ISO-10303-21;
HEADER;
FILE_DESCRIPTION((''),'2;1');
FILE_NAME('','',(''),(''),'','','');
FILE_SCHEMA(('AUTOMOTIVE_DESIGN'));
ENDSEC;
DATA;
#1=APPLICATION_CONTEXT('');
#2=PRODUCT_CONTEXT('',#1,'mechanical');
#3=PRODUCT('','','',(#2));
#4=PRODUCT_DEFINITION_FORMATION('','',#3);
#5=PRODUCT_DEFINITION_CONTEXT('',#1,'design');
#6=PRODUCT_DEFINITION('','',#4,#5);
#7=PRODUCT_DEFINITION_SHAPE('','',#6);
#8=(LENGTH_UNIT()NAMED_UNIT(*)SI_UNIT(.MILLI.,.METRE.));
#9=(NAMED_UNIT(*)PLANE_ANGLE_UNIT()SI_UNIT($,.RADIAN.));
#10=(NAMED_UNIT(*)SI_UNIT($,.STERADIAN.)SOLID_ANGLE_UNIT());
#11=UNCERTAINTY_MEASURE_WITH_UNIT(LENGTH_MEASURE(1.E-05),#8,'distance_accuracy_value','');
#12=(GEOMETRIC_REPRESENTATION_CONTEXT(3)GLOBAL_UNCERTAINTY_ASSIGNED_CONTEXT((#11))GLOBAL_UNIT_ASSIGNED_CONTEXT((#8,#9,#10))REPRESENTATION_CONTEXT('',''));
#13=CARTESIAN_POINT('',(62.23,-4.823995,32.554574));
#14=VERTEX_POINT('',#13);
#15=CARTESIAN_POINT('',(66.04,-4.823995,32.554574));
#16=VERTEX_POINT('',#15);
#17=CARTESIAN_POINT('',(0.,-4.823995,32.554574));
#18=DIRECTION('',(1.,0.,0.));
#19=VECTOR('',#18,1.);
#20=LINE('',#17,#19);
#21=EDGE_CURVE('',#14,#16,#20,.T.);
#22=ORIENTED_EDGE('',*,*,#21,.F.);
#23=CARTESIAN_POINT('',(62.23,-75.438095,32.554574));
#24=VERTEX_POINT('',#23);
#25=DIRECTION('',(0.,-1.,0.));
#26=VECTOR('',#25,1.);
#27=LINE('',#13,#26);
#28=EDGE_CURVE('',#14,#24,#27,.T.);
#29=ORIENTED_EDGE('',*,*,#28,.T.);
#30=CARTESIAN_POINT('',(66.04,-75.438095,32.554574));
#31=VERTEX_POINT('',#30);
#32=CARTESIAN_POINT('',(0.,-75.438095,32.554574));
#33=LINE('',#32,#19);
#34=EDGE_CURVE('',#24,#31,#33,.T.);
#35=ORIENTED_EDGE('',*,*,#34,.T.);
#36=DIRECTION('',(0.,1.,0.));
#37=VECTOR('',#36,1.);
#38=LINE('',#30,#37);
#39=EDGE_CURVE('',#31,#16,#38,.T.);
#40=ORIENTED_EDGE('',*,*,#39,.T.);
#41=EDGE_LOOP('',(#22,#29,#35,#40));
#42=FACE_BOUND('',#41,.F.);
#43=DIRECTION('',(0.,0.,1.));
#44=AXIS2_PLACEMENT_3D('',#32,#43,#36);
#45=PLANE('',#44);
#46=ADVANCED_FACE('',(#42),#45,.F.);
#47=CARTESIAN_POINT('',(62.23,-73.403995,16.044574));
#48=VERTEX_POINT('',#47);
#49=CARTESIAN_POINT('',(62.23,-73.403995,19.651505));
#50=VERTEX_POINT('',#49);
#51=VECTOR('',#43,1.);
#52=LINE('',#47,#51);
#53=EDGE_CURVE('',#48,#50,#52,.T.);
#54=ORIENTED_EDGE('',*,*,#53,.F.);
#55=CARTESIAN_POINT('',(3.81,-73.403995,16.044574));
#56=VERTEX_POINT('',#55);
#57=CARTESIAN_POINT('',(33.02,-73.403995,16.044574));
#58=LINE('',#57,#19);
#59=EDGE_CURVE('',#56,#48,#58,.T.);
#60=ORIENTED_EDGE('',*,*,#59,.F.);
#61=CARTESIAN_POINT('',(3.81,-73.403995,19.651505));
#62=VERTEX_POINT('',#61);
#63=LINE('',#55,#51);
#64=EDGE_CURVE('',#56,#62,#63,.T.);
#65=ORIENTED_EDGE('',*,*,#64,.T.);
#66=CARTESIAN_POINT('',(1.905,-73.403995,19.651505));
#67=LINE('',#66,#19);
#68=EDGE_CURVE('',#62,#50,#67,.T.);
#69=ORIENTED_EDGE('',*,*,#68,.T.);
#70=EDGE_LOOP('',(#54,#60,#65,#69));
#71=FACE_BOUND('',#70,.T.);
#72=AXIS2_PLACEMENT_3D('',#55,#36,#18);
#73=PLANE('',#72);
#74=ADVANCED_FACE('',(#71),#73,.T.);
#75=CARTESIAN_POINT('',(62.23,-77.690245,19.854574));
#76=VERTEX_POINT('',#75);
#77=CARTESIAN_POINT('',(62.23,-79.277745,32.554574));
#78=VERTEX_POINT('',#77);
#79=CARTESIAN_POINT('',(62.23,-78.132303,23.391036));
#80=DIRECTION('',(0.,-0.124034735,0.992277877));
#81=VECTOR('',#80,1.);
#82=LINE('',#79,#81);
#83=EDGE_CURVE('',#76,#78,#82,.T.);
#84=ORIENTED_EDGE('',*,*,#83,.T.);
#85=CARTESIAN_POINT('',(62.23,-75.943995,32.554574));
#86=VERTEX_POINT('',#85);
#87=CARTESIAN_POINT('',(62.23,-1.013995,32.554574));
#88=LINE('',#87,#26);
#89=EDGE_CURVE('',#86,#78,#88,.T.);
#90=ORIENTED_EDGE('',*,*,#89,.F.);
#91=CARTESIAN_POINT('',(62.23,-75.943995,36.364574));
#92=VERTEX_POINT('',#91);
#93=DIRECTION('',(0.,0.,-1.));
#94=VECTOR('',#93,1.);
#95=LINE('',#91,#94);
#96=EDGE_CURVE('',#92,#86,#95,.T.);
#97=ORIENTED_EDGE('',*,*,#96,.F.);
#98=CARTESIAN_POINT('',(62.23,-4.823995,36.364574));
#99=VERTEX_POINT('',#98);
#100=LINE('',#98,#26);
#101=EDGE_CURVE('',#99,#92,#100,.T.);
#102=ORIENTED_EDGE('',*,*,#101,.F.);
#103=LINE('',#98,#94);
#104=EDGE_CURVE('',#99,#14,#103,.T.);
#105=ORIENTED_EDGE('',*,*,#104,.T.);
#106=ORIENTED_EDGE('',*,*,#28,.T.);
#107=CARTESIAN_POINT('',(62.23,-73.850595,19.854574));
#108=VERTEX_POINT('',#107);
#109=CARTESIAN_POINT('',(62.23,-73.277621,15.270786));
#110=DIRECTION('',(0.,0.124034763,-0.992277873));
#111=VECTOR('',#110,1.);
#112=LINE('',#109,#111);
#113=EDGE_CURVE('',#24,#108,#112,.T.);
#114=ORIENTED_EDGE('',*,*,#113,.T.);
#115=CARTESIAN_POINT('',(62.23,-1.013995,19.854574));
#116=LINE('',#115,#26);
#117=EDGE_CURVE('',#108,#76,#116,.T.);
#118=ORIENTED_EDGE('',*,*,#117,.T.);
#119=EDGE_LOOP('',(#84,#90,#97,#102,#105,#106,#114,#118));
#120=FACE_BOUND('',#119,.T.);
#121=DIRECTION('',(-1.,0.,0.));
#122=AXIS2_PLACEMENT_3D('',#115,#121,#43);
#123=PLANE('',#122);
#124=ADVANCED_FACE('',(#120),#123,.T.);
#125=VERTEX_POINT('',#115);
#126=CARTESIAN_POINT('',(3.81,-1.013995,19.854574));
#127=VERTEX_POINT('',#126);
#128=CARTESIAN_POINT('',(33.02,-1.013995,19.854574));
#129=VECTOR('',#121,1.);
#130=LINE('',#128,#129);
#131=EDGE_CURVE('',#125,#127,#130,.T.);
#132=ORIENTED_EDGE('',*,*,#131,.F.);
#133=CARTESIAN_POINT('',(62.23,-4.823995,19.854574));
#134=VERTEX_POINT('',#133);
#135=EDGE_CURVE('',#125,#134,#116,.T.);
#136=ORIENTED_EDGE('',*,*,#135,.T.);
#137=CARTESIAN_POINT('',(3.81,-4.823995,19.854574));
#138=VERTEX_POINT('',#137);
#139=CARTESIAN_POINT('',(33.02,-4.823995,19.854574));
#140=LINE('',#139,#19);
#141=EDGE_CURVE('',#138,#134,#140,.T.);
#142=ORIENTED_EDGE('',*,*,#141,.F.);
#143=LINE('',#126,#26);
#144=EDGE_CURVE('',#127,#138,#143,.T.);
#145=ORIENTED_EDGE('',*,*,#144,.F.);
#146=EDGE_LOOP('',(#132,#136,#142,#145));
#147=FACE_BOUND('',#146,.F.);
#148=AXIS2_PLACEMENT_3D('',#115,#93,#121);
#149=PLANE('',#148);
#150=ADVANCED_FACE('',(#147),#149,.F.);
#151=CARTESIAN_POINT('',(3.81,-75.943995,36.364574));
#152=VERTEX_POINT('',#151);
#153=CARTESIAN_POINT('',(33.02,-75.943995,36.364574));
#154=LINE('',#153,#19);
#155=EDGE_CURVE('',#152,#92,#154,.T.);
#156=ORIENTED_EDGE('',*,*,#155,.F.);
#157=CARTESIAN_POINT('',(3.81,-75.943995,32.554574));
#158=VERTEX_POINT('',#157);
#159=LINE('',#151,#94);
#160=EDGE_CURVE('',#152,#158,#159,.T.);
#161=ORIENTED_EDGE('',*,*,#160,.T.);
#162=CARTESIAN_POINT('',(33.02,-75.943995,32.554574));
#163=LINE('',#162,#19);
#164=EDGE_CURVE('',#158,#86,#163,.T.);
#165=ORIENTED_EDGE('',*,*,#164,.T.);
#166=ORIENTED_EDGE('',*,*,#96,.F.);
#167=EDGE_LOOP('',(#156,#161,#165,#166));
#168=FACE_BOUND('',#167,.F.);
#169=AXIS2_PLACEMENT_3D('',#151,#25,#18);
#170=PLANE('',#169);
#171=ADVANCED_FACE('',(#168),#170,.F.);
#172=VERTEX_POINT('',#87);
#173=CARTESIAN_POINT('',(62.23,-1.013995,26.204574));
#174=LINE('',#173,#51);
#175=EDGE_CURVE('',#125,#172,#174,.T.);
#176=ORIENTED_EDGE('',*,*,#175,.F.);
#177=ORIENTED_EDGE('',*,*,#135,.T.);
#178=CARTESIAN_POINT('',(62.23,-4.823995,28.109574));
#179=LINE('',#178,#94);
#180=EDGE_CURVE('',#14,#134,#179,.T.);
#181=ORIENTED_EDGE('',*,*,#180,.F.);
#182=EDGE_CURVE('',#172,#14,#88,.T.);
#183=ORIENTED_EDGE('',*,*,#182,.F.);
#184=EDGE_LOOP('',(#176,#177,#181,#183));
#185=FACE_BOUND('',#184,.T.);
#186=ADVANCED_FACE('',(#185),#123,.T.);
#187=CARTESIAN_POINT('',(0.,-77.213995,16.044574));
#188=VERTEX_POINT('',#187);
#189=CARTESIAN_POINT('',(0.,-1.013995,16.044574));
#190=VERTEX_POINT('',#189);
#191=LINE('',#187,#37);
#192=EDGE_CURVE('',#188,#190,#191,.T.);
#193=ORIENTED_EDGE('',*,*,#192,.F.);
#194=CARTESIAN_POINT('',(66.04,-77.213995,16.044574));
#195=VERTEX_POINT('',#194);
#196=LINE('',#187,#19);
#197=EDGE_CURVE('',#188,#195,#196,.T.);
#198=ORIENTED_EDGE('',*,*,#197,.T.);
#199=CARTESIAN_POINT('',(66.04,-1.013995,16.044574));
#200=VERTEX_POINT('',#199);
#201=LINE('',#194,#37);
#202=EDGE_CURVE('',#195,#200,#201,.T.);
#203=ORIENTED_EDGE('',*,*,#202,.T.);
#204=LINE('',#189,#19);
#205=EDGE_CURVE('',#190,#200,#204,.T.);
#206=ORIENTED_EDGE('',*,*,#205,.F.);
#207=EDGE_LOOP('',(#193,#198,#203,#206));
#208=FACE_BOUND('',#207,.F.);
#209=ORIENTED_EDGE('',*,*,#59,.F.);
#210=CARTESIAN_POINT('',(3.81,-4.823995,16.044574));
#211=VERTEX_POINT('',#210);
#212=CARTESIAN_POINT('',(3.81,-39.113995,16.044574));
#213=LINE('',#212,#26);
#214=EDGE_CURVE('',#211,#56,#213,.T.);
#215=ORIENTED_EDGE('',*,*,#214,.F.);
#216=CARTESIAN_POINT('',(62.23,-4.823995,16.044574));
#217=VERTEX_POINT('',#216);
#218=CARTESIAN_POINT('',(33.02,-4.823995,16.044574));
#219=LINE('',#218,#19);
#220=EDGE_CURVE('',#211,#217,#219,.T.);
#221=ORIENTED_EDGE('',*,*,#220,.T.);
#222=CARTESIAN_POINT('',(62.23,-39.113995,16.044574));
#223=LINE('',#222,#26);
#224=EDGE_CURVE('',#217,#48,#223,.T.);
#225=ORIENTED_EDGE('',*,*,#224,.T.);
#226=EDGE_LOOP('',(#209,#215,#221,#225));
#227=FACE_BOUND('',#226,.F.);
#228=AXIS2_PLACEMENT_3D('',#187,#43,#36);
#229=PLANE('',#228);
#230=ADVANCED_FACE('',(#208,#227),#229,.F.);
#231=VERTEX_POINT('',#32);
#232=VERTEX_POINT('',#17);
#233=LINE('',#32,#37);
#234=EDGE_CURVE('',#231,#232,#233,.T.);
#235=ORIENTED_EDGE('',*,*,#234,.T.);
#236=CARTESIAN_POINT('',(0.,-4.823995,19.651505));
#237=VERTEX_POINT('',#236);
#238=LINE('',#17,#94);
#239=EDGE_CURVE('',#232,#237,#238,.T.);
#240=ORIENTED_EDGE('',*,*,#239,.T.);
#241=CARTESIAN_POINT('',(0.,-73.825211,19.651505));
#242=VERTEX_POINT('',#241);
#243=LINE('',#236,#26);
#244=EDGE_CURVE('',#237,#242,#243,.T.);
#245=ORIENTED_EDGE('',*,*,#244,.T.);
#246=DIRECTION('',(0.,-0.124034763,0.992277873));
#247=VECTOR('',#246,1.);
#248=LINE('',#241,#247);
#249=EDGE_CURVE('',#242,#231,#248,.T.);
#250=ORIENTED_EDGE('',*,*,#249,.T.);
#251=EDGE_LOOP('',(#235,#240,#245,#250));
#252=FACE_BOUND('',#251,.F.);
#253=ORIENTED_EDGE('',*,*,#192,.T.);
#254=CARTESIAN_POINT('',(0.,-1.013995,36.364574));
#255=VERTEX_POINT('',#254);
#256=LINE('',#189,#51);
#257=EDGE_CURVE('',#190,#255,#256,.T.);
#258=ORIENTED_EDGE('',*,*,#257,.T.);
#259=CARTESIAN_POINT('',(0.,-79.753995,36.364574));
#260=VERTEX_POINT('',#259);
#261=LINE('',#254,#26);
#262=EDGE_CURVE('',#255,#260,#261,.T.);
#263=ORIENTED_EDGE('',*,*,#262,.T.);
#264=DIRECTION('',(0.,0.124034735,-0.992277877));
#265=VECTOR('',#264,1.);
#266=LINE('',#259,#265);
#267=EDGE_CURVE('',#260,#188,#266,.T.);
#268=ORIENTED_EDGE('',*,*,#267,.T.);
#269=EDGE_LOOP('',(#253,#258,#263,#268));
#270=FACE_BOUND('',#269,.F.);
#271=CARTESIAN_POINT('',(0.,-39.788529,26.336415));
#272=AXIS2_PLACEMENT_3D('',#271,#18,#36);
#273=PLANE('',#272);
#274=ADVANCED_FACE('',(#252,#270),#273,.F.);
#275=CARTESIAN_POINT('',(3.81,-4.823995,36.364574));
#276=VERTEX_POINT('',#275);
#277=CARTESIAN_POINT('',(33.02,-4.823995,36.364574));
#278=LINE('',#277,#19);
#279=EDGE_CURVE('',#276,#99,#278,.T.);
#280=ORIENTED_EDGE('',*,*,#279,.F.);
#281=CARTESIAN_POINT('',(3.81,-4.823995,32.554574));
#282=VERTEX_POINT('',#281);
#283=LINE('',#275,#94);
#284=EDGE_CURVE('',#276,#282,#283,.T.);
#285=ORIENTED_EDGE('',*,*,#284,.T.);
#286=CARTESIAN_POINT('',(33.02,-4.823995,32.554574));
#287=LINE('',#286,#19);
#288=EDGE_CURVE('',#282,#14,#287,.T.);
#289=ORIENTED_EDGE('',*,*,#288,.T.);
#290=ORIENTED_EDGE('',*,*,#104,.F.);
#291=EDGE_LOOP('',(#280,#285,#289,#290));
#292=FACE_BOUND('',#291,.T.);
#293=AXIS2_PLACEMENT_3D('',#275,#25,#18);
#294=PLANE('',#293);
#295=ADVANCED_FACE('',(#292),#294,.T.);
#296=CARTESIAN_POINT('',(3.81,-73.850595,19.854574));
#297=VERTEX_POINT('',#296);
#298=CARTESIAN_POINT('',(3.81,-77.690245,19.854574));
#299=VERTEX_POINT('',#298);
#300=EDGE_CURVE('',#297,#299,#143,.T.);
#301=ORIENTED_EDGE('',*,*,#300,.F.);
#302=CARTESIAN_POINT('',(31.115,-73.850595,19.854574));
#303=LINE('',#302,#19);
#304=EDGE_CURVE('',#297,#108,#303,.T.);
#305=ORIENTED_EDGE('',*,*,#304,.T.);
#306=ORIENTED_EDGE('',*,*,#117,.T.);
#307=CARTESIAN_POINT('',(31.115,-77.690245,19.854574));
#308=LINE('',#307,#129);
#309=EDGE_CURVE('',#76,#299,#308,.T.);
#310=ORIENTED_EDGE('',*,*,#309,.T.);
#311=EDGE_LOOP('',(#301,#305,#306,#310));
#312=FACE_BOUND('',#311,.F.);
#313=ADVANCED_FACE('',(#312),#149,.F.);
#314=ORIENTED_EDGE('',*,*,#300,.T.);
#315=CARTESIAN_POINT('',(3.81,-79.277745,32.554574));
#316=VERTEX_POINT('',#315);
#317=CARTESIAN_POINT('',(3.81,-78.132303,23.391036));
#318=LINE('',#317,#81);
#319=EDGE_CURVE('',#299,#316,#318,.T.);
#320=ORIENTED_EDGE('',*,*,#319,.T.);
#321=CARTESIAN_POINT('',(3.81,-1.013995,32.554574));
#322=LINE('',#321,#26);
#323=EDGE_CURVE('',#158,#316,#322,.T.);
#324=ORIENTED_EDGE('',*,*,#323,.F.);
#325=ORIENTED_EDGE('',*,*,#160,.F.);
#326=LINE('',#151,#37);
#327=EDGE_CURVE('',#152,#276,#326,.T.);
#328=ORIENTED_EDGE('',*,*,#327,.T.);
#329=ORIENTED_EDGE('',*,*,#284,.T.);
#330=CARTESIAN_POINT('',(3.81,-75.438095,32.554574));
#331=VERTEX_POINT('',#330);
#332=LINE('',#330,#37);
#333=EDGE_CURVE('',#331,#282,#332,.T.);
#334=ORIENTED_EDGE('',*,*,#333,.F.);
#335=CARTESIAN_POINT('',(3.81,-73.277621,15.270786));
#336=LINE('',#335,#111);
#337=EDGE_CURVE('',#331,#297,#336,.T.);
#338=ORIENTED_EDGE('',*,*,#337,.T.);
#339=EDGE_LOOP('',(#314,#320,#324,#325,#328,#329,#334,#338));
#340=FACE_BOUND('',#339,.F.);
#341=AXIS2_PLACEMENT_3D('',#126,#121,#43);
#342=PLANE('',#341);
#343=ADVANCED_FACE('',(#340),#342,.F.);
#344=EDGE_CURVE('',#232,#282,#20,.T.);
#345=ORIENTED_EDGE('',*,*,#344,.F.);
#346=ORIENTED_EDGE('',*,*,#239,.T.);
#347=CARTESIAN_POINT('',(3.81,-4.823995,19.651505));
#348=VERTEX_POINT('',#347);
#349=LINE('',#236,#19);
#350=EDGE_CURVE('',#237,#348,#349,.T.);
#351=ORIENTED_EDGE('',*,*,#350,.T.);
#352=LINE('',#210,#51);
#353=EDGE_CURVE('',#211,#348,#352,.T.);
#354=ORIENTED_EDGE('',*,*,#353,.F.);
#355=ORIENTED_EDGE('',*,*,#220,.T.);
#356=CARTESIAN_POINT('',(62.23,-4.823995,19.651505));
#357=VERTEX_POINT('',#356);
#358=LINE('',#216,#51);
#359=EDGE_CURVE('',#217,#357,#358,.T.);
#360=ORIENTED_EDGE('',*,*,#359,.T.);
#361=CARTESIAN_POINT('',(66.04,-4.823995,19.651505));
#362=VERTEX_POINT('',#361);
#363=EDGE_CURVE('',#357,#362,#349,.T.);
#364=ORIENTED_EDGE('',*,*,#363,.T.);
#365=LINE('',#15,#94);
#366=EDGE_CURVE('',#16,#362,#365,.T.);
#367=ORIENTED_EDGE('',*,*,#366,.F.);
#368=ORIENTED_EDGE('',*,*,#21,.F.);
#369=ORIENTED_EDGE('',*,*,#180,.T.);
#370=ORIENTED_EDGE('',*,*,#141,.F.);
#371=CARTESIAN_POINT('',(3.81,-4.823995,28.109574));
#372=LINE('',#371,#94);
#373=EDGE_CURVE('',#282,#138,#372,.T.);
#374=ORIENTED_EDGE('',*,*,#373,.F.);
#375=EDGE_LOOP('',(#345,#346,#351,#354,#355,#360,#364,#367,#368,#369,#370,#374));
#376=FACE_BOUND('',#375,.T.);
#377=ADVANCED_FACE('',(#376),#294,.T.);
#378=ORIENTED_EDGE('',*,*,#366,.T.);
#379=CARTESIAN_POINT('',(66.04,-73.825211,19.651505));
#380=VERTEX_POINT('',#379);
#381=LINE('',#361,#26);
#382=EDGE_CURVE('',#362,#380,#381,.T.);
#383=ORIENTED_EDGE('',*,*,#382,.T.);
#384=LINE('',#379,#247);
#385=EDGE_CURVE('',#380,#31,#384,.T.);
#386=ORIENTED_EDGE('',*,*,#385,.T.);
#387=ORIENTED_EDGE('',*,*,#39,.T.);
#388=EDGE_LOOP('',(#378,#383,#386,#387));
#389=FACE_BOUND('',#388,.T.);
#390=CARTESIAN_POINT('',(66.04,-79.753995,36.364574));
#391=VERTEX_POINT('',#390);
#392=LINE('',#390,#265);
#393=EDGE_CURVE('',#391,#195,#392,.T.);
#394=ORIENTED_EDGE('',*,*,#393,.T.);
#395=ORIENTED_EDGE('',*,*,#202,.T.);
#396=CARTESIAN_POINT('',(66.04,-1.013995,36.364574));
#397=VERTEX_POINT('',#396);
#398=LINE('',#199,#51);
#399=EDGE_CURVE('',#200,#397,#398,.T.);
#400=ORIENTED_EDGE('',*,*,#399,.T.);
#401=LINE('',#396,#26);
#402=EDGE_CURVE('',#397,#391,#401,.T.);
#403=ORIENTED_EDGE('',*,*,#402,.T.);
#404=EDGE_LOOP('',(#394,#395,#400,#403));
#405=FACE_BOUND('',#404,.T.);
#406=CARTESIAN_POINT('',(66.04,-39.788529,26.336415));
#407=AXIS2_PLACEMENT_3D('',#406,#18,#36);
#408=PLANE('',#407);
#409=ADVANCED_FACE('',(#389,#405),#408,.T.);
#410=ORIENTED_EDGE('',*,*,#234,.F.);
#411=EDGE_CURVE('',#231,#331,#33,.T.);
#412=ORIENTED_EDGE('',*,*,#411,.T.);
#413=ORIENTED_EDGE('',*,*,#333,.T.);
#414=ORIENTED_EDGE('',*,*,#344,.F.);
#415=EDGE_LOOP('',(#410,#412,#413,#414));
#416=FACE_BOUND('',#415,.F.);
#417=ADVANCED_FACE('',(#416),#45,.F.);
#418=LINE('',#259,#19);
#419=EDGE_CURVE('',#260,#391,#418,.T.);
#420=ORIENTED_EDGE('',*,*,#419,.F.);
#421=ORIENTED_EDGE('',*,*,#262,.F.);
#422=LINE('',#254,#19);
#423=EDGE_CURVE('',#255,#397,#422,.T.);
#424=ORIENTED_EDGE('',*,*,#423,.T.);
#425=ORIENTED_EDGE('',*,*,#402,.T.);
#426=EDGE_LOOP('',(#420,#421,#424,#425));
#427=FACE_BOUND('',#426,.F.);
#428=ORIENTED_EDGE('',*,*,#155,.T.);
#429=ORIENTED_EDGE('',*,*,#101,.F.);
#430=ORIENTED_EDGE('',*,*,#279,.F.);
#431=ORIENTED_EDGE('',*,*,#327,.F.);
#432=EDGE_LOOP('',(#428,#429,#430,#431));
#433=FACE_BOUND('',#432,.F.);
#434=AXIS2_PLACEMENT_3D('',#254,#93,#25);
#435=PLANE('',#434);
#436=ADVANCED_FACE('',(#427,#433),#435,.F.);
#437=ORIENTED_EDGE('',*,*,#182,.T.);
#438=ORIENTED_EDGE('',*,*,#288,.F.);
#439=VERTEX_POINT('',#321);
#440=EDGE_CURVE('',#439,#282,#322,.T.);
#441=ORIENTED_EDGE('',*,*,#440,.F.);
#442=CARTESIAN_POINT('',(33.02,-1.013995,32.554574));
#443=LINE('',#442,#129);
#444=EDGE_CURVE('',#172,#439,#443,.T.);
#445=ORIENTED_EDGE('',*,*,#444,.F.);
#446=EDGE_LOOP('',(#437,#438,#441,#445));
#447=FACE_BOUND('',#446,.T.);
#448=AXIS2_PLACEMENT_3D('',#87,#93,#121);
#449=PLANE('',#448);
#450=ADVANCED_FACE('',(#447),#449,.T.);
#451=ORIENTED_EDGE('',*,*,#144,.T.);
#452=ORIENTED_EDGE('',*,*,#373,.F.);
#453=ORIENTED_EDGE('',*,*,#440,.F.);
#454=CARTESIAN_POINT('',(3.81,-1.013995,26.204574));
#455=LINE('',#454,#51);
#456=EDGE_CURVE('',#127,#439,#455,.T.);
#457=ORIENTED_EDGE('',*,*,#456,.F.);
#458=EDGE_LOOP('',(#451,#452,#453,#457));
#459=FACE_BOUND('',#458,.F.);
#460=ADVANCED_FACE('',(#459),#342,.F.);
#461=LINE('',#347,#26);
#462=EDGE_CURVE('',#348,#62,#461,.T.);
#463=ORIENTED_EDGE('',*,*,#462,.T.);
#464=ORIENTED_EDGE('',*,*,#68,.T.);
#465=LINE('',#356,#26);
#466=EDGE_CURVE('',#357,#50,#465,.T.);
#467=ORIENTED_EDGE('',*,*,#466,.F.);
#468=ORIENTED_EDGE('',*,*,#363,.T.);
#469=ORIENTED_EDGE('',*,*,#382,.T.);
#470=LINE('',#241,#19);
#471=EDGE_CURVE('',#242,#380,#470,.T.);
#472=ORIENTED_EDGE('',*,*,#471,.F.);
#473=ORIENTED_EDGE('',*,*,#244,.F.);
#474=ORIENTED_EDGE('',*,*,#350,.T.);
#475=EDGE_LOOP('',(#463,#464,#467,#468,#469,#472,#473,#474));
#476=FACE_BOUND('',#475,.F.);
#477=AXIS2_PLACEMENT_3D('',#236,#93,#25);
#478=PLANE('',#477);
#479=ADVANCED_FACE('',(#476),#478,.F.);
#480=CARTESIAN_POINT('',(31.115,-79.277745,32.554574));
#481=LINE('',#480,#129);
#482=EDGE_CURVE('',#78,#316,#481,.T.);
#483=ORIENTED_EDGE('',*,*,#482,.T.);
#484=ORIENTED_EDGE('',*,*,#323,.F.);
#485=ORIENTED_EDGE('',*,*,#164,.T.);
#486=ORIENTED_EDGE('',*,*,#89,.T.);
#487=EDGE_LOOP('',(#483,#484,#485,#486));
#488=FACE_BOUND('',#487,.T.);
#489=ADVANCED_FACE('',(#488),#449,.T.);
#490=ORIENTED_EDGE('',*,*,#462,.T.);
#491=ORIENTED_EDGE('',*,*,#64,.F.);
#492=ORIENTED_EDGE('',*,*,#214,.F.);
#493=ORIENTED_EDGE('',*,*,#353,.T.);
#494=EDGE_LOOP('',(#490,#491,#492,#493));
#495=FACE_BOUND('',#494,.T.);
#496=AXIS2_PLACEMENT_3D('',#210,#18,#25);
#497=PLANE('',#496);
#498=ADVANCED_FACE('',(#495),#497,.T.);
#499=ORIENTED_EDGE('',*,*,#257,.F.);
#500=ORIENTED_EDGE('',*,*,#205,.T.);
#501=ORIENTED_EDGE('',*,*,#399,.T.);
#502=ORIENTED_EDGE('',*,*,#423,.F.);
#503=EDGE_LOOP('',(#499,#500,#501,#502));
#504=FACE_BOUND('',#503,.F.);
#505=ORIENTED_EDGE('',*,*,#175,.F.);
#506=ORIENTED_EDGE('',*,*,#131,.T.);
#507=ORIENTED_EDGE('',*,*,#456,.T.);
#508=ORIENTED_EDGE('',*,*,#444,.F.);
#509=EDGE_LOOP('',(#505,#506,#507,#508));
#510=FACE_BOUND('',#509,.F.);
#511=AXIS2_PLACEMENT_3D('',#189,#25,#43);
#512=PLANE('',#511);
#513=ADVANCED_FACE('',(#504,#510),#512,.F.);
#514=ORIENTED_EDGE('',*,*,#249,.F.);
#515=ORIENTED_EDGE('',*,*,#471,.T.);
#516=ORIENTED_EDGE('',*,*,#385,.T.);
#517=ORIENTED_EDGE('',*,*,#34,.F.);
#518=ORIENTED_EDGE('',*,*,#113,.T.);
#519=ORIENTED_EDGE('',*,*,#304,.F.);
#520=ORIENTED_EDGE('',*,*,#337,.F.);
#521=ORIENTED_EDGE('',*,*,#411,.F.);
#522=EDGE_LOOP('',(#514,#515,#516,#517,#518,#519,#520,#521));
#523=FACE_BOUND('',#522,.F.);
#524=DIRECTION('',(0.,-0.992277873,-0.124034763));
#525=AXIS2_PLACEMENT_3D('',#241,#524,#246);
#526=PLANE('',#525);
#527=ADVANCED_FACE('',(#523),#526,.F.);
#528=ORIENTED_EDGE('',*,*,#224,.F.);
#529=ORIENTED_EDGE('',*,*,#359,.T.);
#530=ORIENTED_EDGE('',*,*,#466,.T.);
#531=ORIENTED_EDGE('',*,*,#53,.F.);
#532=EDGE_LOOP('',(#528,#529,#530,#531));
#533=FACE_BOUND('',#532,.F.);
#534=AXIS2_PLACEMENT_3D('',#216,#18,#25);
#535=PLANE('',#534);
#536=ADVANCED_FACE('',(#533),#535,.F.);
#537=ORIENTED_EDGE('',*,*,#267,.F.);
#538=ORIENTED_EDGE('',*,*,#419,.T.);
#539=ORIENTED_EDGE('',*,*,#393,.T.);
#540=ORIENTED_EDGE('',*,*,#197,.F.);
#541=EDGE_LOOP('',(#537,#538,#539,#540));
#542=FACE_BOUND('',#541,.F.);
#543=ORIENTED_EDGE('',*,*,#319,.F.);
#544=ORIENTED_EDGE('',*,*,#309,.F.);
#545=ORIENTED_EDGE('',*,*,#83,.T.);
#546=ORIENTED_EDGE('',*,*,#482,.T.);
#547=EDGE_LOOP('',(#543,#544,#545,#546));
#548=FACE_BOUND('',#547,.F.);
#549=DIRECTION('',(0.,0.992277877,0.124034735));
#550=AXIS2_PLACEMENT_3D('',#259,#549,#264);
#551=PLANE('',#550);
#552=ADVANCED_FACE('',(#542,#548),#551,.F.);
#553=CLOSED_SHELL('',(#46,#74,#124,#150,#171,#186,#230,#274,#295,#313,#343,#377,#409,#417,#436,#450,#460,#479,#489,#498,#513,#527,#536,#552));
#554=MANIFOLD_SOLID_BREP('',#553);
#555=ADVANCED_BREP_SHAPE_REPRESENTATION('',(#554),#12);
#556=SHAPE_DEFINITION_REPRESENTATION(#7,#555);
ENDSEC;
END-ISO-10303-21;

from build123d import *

# Parameters (mm, degrees)
F1_DEPTH = 66.04
F2_W     = 58.42
F2_H     = 71.12
F3_DEPTH = 3.81
F4_W     = 58.42
F4_H     = 12.7
F5_DEPTH = 101.6
F6_W     = 58.42
F6_H     = 68.58
F7_DEPTH = 25.4


with BuildPart() as f1:
    # F0 (on Right) → F1 (new body)
    with BuildSketch(Plane.YZ):
        Polygon((-79.753995, 36.364574), (-77.213995, 16.044574), (-1.013995, 16.044574), (-1.013995, 36.364574), align=None)
        Polygon((-75.438095, 32.554574), (-4.823995, 32.554574), (-4.823995, 19.651505), (-73.825211, 19.651505), align=None, mode=Mode.SUBTRACT)
    extrude(amount=F1_DEPTH)

    # F2 (on face) → F3 (cut)
    with BuildSketch(Plane.XY.offset(36.364574)):
        with Locations((33.02, -40.383995)):
            Rectangle(F2_W, F2_H)
    extrude(amount=-F3_DEPTH, mode=Mode.SUBTRACT)

    # F4 (on face) → F5 (cut)
    with BuildSketch(Plane(origin=(0, -1.013995, 0), x_dir=(-1, 0, 0), z_dir=(0, 1, 0))):
        with Locations((-33.02, 26.204574)):
            Rectangle(F4_W, F4_H)
    extrude(amount=-F5_DEPTH, mode=Mode.SUBTRACT)

    # F6 (on face) → F7 (cut)
    with BuildSketch(Plane(origin=(0, 0, 16.044574), x_dir=(1, 0, 0), z_dir=(0, 0, -1))):
        with Locations((33.02, 39.113995)):
            Rectangle(F6_W, F6_H)
    extrude(amount=-F7_DEPTH, mode=Mode.SUBTRACT)


solid = f1.part
